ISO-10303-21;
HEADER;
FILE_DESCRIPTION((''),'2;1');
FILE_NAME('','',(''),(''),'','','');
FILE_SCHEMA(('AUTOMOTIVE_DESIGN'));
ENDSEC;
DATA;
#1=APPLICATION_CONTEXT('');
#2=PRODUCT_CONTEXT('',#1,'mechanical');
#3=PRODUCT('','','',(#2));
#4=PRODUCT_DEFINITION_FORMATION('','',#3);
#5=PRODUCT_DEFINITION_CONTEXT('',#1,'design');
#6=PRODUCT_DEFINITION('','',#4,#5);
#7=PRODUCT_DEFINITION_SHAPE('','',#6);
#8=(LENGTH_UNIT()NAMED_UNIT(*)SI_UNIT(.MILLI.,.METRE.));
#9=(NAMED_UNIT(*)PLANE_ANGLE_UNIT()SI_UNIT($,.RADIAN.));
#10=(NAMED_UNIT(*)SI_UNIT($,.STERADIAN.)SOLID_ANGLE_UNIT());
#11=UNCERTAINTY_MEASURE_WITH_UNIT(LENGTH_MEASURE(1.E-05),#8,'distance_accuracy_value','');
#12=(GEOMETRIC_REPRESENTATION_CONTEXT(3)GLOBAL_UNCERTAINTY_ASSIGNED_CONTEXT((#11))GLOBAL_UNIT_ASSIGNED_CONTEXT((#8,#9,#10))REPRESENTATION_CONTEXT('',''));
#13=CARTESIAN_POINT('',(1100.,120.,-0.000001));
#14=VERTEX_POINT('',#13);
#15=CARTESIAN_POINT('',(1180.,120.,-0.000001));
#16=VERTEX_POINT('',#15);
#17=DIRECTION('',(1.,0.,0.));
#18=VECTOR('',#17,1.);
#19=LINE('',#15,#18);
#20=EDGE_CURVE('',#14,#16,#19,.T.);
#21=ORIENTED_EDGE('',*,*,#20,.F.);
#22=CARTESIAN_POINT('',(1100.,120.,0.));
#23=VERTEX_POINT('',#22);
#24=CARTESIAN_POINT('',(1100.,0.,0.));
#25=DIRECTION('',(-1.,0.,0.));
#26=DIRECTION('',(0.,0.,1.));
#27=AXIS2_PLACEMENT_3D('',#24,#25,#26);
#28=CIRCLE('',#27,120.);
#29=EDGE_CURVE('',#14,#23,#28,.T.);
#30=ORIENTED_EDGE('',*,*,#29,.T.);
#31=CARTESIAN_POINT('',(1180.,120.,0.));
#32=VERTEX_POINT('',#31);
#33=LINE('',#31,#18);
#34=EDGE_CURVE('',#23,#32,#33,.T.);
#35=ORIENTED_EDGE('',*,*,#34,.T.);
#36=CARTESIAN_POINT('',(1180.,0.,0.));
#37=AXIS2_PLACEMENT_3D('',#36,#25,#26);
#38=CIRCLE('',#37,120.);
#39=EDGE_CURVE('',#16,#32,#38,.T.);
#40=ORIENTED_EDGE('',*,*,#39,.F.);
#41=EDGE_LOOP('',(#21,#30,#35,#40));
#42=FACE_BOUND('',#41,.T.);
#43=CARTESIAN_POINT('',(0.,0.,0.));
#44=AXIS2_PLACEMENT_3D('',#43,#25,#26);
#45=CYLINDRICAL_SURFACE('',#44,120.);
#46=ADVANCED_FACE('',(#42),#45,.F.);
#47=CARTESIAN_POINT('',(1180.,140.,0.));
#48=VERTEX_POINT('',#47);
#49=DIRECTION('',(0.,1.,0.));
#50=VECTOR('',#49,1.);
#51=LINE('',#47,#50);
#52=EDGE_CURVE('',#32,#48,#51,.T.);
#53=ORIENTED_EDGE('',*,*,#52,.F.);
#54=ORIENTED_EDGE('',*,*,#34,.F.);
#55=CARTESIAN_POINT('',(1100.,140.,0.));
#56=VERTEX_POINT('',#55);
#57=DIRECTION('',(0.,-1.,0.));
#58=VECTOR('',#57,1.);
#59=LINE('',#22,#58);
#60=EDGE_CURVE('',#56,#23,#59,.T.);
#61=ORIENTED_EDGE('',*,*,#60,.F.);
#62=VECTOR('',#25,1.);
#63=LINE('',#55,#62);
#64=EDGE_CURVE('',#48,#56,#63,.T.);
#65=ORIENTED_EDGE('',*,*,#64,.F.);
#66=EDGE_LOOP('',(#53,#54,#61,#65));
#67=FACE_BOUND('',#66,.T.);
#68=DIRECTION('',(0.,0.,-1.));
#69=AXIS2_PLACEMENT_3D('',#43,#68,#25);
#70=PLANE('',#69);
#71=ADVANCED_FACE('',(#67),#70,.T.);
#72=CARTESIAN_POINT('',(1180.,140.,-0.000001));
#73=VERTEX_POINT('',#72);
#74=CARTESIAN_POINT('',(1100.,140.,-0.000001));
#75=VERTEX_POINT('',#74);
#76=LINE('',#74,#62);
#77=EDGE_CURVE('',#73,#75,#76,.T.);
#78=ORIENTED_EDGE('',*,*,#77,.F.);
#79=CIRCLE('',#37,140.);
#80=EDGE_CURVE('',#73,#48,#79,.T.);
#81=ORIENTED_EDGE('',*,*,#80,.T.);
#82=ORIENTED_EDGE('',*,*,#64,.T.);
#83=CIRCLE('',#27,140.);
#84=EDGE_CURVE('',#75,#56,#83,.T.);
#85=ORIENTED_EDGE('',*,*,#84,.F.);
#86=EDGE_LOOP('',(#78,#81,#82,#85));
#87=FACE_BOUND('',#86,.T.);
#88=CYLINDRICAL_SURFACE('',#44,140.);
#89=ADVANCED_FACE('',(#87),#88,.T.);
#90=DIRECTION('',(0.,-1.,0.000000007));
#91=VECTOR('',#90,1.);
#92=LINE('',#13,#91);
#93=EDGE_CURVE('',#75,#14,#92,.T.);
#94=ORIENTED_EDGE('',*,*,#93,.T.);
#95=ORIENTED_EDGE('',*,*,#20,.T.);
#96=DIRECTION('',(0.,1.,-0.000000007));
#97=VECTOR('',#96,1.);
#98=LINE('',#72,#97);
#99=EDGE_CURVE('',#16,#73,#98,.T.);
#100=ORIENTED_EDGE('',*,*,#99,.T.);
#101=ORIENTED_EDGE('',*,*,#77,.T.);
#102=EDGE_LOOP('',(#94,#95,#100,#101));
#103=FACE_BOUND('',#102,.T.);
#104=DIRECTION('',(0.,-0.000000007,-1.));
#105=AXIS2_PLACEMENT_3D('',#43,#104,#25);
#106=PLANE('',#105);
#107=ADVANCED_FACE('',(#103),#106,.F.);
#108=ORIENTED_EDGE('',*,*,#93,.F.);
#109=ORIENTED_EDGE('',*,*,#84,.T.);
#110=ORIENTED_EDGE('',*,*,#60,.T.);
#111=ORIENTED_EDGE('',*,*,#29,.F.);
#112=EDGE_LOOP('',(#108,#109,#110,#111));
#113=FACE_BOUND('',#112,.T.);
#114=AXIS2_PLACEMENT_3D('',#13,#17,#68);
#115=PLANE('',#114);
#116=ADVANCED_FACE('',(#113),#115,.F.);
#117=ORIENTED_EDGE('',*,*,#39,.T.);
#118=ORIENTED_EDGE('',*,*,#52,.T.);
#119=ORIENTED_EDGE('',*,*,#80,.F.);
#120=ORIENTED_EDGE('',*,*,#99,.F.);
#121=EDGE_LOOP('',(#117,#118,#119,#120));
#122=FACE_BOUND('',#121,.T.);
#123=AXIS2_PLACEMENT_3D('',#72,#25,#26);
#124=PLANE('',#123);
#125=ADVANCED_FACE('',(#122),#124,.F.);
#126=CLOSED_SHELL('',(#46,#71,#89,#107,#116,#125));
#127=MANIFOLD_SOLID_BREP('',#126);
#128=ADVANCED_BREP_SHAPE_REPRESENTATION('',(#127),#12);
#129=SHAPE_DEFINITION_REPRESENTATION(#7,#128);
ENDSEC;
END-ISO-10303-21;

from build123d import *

# Parameters (mm, degrees)
SKETCH1_W      = 80
SKETCH1_H      = 20
REVOLVE1_ANGLE = 359.999999589


with BuildPart() as part:
    # Sketch1 → Revolve1 (revolve)
    with BuildSketch(Plane.XY):
        with Locations((1140, 130)):
            Rectangle(SKETCH1_W, SKETCH1_H)
    revolve(axis=Axis((0, 0, 0), (1, 0, 0)), revolution_arc=REVOLVE1_ANGLE)


solid = part.part
